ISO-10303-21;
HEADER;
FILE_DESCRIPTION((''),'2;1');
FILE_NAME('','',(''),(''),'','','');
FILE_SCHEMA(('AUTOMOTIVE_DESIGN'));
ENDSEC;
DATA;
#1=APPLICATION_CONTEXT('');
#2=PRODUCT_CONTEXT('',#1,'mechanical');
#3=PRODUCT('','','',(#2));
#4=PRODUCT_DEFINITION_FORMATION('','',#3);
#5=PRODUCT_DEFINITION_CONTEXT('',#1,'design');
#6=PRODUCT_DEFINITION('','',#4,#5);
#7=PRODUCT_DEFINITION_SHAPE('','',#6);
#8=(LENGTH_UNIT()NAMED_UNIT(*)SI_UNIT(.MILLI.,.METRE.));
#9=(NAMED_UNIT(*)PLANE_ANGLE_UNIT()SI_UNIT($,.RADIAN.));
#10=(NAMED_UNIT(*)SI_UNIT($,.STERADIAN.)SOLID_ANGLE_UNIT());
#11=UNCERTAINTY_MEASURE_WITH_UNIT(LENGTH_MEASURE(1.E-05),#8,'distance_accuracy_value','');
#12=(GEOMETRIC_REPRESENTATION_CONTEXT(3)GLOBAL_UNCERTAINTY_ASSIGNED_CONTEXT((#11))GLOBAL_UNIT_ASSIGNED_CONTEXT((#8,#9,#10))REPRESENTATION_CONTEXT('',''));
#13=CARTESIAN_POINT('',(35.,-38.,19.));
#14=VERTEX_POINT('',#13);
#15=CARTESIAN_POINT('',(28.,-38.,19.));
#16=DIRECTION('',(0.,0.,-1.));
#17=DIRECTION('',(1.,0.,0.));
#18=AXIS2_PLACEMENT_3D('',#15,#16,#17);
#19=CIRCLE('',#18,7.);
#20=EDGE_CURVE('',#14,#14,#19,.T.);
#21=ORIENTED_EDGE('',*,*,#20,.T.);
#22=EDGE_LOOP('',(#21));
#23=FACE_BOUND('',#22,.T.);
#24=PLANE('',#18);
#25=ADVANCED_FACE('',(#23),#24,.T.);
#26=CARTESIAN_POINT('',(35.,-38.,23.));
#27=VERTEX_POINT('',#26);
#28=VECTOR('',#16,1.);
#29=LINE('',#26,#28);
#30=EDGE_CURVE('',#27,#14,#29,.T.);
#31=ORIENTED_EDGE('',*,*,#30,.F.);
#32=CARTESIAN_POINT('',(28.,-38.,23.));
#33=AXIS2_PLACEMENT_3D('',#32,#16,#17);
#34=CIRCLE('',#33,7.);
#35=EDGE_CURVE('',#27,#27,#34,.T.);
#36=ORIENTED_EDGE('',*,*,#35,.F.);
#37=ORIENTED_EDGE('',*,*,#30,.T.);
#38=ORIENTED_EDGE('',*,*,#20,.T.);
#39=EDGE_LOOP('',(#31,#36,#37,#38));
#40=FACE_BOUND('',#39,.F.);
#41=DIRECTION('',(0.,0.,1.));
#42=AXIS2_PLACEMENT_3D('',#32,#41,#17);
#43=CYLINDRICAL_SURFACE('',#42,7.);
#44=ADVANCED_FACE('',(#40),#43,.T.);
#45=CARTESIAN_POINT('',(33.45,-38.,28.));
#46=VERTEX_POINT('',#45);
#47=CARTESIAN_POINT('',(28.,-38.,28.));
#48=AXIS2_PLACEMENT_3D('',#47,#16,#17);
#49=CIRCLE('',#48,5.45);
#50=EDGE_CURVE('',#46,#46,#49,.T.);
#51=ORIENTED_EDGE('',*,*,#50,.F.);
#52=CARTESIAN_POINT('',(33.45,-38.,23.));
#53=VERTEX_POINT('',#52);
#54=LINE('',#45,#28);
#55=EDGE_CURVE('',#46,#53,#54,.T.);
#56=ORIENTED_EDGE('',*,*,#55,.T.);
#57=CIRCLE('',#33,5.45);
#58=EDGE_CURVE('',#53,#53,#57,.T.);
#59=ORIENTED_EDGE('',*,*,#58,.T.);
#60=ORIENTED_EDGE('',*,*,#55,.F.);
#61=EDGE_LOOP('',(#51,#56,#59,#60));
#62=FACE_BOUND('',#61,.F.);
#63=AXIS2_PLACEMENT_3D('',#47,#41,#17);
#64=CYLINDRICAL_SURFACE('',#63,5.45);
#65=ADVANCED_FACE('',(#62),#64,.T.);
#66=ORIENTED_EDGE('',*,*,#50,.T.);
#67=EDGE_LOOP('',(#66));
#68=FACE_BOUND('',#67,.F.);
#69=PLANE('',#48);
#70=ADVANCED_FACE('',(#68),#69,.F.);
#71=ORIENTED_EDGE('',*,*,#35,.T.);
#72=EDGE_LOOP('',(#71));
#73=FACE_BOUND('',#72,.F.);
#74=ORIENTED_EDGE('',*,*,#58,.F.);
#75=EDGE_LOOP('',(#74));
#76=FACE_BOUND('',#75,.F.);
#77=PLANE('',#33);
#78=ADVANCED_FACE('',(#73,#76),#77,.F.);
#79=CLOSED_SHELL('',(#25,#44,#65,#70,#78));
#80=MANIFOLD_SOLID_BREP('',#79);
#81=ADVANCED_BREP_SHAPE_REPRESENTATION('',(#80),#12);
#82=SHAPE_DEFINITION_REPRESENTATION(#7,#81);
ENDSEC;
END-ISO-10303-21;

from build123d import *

# Parameters (mm, degrees)
CYLINDER001_R            = 7
CYLINDER001_DEPTH        = 4
CYLINDER_R               = 5.45
CYLINDER_DEPTH           = 5
CLONE018_PLACEMENT_ANGLE = 180


with BuildPart() as knob002:
    # Cylinder001 → Cylinder001 (new body)
    with BuildSketch(Plane(origin=(7, 0, -5), x_dir=(1, 0, 0), z_dir=(0, 0, 1))):
        Circle(CYLINDER001_R)
    extrude(amount=CYLINDER001_DEPTH)


with BuildPart() as knob005:
    # Cylinder → Cylinder (new body)
    with BuildSketch(Plane(origin=(7, 0, -10), x_dir=(1, 0, 0), z_dir=(0, 0, 1))):
        Circle(CYLINDER_R)
    extrude(amount=CYLINDER_DEPTH)

    # Fusion007: union knob002
    add(knob002.part)


with BuildPart() as knob005_1:
    # Clone018 placement: moved
    add(knob005.part.moved(Location((11, -50, 18))).rotate(Axis((11, -50, 18), (1, 0, 0)), CLONE018_PLACEMENT_ANGLE))


with BuildPart() as knob005_2:
    # Clone019 placement: moved
    add(knob005_1.part.moved(Location((10, 12, 0))))


solid = knob005_2.part
